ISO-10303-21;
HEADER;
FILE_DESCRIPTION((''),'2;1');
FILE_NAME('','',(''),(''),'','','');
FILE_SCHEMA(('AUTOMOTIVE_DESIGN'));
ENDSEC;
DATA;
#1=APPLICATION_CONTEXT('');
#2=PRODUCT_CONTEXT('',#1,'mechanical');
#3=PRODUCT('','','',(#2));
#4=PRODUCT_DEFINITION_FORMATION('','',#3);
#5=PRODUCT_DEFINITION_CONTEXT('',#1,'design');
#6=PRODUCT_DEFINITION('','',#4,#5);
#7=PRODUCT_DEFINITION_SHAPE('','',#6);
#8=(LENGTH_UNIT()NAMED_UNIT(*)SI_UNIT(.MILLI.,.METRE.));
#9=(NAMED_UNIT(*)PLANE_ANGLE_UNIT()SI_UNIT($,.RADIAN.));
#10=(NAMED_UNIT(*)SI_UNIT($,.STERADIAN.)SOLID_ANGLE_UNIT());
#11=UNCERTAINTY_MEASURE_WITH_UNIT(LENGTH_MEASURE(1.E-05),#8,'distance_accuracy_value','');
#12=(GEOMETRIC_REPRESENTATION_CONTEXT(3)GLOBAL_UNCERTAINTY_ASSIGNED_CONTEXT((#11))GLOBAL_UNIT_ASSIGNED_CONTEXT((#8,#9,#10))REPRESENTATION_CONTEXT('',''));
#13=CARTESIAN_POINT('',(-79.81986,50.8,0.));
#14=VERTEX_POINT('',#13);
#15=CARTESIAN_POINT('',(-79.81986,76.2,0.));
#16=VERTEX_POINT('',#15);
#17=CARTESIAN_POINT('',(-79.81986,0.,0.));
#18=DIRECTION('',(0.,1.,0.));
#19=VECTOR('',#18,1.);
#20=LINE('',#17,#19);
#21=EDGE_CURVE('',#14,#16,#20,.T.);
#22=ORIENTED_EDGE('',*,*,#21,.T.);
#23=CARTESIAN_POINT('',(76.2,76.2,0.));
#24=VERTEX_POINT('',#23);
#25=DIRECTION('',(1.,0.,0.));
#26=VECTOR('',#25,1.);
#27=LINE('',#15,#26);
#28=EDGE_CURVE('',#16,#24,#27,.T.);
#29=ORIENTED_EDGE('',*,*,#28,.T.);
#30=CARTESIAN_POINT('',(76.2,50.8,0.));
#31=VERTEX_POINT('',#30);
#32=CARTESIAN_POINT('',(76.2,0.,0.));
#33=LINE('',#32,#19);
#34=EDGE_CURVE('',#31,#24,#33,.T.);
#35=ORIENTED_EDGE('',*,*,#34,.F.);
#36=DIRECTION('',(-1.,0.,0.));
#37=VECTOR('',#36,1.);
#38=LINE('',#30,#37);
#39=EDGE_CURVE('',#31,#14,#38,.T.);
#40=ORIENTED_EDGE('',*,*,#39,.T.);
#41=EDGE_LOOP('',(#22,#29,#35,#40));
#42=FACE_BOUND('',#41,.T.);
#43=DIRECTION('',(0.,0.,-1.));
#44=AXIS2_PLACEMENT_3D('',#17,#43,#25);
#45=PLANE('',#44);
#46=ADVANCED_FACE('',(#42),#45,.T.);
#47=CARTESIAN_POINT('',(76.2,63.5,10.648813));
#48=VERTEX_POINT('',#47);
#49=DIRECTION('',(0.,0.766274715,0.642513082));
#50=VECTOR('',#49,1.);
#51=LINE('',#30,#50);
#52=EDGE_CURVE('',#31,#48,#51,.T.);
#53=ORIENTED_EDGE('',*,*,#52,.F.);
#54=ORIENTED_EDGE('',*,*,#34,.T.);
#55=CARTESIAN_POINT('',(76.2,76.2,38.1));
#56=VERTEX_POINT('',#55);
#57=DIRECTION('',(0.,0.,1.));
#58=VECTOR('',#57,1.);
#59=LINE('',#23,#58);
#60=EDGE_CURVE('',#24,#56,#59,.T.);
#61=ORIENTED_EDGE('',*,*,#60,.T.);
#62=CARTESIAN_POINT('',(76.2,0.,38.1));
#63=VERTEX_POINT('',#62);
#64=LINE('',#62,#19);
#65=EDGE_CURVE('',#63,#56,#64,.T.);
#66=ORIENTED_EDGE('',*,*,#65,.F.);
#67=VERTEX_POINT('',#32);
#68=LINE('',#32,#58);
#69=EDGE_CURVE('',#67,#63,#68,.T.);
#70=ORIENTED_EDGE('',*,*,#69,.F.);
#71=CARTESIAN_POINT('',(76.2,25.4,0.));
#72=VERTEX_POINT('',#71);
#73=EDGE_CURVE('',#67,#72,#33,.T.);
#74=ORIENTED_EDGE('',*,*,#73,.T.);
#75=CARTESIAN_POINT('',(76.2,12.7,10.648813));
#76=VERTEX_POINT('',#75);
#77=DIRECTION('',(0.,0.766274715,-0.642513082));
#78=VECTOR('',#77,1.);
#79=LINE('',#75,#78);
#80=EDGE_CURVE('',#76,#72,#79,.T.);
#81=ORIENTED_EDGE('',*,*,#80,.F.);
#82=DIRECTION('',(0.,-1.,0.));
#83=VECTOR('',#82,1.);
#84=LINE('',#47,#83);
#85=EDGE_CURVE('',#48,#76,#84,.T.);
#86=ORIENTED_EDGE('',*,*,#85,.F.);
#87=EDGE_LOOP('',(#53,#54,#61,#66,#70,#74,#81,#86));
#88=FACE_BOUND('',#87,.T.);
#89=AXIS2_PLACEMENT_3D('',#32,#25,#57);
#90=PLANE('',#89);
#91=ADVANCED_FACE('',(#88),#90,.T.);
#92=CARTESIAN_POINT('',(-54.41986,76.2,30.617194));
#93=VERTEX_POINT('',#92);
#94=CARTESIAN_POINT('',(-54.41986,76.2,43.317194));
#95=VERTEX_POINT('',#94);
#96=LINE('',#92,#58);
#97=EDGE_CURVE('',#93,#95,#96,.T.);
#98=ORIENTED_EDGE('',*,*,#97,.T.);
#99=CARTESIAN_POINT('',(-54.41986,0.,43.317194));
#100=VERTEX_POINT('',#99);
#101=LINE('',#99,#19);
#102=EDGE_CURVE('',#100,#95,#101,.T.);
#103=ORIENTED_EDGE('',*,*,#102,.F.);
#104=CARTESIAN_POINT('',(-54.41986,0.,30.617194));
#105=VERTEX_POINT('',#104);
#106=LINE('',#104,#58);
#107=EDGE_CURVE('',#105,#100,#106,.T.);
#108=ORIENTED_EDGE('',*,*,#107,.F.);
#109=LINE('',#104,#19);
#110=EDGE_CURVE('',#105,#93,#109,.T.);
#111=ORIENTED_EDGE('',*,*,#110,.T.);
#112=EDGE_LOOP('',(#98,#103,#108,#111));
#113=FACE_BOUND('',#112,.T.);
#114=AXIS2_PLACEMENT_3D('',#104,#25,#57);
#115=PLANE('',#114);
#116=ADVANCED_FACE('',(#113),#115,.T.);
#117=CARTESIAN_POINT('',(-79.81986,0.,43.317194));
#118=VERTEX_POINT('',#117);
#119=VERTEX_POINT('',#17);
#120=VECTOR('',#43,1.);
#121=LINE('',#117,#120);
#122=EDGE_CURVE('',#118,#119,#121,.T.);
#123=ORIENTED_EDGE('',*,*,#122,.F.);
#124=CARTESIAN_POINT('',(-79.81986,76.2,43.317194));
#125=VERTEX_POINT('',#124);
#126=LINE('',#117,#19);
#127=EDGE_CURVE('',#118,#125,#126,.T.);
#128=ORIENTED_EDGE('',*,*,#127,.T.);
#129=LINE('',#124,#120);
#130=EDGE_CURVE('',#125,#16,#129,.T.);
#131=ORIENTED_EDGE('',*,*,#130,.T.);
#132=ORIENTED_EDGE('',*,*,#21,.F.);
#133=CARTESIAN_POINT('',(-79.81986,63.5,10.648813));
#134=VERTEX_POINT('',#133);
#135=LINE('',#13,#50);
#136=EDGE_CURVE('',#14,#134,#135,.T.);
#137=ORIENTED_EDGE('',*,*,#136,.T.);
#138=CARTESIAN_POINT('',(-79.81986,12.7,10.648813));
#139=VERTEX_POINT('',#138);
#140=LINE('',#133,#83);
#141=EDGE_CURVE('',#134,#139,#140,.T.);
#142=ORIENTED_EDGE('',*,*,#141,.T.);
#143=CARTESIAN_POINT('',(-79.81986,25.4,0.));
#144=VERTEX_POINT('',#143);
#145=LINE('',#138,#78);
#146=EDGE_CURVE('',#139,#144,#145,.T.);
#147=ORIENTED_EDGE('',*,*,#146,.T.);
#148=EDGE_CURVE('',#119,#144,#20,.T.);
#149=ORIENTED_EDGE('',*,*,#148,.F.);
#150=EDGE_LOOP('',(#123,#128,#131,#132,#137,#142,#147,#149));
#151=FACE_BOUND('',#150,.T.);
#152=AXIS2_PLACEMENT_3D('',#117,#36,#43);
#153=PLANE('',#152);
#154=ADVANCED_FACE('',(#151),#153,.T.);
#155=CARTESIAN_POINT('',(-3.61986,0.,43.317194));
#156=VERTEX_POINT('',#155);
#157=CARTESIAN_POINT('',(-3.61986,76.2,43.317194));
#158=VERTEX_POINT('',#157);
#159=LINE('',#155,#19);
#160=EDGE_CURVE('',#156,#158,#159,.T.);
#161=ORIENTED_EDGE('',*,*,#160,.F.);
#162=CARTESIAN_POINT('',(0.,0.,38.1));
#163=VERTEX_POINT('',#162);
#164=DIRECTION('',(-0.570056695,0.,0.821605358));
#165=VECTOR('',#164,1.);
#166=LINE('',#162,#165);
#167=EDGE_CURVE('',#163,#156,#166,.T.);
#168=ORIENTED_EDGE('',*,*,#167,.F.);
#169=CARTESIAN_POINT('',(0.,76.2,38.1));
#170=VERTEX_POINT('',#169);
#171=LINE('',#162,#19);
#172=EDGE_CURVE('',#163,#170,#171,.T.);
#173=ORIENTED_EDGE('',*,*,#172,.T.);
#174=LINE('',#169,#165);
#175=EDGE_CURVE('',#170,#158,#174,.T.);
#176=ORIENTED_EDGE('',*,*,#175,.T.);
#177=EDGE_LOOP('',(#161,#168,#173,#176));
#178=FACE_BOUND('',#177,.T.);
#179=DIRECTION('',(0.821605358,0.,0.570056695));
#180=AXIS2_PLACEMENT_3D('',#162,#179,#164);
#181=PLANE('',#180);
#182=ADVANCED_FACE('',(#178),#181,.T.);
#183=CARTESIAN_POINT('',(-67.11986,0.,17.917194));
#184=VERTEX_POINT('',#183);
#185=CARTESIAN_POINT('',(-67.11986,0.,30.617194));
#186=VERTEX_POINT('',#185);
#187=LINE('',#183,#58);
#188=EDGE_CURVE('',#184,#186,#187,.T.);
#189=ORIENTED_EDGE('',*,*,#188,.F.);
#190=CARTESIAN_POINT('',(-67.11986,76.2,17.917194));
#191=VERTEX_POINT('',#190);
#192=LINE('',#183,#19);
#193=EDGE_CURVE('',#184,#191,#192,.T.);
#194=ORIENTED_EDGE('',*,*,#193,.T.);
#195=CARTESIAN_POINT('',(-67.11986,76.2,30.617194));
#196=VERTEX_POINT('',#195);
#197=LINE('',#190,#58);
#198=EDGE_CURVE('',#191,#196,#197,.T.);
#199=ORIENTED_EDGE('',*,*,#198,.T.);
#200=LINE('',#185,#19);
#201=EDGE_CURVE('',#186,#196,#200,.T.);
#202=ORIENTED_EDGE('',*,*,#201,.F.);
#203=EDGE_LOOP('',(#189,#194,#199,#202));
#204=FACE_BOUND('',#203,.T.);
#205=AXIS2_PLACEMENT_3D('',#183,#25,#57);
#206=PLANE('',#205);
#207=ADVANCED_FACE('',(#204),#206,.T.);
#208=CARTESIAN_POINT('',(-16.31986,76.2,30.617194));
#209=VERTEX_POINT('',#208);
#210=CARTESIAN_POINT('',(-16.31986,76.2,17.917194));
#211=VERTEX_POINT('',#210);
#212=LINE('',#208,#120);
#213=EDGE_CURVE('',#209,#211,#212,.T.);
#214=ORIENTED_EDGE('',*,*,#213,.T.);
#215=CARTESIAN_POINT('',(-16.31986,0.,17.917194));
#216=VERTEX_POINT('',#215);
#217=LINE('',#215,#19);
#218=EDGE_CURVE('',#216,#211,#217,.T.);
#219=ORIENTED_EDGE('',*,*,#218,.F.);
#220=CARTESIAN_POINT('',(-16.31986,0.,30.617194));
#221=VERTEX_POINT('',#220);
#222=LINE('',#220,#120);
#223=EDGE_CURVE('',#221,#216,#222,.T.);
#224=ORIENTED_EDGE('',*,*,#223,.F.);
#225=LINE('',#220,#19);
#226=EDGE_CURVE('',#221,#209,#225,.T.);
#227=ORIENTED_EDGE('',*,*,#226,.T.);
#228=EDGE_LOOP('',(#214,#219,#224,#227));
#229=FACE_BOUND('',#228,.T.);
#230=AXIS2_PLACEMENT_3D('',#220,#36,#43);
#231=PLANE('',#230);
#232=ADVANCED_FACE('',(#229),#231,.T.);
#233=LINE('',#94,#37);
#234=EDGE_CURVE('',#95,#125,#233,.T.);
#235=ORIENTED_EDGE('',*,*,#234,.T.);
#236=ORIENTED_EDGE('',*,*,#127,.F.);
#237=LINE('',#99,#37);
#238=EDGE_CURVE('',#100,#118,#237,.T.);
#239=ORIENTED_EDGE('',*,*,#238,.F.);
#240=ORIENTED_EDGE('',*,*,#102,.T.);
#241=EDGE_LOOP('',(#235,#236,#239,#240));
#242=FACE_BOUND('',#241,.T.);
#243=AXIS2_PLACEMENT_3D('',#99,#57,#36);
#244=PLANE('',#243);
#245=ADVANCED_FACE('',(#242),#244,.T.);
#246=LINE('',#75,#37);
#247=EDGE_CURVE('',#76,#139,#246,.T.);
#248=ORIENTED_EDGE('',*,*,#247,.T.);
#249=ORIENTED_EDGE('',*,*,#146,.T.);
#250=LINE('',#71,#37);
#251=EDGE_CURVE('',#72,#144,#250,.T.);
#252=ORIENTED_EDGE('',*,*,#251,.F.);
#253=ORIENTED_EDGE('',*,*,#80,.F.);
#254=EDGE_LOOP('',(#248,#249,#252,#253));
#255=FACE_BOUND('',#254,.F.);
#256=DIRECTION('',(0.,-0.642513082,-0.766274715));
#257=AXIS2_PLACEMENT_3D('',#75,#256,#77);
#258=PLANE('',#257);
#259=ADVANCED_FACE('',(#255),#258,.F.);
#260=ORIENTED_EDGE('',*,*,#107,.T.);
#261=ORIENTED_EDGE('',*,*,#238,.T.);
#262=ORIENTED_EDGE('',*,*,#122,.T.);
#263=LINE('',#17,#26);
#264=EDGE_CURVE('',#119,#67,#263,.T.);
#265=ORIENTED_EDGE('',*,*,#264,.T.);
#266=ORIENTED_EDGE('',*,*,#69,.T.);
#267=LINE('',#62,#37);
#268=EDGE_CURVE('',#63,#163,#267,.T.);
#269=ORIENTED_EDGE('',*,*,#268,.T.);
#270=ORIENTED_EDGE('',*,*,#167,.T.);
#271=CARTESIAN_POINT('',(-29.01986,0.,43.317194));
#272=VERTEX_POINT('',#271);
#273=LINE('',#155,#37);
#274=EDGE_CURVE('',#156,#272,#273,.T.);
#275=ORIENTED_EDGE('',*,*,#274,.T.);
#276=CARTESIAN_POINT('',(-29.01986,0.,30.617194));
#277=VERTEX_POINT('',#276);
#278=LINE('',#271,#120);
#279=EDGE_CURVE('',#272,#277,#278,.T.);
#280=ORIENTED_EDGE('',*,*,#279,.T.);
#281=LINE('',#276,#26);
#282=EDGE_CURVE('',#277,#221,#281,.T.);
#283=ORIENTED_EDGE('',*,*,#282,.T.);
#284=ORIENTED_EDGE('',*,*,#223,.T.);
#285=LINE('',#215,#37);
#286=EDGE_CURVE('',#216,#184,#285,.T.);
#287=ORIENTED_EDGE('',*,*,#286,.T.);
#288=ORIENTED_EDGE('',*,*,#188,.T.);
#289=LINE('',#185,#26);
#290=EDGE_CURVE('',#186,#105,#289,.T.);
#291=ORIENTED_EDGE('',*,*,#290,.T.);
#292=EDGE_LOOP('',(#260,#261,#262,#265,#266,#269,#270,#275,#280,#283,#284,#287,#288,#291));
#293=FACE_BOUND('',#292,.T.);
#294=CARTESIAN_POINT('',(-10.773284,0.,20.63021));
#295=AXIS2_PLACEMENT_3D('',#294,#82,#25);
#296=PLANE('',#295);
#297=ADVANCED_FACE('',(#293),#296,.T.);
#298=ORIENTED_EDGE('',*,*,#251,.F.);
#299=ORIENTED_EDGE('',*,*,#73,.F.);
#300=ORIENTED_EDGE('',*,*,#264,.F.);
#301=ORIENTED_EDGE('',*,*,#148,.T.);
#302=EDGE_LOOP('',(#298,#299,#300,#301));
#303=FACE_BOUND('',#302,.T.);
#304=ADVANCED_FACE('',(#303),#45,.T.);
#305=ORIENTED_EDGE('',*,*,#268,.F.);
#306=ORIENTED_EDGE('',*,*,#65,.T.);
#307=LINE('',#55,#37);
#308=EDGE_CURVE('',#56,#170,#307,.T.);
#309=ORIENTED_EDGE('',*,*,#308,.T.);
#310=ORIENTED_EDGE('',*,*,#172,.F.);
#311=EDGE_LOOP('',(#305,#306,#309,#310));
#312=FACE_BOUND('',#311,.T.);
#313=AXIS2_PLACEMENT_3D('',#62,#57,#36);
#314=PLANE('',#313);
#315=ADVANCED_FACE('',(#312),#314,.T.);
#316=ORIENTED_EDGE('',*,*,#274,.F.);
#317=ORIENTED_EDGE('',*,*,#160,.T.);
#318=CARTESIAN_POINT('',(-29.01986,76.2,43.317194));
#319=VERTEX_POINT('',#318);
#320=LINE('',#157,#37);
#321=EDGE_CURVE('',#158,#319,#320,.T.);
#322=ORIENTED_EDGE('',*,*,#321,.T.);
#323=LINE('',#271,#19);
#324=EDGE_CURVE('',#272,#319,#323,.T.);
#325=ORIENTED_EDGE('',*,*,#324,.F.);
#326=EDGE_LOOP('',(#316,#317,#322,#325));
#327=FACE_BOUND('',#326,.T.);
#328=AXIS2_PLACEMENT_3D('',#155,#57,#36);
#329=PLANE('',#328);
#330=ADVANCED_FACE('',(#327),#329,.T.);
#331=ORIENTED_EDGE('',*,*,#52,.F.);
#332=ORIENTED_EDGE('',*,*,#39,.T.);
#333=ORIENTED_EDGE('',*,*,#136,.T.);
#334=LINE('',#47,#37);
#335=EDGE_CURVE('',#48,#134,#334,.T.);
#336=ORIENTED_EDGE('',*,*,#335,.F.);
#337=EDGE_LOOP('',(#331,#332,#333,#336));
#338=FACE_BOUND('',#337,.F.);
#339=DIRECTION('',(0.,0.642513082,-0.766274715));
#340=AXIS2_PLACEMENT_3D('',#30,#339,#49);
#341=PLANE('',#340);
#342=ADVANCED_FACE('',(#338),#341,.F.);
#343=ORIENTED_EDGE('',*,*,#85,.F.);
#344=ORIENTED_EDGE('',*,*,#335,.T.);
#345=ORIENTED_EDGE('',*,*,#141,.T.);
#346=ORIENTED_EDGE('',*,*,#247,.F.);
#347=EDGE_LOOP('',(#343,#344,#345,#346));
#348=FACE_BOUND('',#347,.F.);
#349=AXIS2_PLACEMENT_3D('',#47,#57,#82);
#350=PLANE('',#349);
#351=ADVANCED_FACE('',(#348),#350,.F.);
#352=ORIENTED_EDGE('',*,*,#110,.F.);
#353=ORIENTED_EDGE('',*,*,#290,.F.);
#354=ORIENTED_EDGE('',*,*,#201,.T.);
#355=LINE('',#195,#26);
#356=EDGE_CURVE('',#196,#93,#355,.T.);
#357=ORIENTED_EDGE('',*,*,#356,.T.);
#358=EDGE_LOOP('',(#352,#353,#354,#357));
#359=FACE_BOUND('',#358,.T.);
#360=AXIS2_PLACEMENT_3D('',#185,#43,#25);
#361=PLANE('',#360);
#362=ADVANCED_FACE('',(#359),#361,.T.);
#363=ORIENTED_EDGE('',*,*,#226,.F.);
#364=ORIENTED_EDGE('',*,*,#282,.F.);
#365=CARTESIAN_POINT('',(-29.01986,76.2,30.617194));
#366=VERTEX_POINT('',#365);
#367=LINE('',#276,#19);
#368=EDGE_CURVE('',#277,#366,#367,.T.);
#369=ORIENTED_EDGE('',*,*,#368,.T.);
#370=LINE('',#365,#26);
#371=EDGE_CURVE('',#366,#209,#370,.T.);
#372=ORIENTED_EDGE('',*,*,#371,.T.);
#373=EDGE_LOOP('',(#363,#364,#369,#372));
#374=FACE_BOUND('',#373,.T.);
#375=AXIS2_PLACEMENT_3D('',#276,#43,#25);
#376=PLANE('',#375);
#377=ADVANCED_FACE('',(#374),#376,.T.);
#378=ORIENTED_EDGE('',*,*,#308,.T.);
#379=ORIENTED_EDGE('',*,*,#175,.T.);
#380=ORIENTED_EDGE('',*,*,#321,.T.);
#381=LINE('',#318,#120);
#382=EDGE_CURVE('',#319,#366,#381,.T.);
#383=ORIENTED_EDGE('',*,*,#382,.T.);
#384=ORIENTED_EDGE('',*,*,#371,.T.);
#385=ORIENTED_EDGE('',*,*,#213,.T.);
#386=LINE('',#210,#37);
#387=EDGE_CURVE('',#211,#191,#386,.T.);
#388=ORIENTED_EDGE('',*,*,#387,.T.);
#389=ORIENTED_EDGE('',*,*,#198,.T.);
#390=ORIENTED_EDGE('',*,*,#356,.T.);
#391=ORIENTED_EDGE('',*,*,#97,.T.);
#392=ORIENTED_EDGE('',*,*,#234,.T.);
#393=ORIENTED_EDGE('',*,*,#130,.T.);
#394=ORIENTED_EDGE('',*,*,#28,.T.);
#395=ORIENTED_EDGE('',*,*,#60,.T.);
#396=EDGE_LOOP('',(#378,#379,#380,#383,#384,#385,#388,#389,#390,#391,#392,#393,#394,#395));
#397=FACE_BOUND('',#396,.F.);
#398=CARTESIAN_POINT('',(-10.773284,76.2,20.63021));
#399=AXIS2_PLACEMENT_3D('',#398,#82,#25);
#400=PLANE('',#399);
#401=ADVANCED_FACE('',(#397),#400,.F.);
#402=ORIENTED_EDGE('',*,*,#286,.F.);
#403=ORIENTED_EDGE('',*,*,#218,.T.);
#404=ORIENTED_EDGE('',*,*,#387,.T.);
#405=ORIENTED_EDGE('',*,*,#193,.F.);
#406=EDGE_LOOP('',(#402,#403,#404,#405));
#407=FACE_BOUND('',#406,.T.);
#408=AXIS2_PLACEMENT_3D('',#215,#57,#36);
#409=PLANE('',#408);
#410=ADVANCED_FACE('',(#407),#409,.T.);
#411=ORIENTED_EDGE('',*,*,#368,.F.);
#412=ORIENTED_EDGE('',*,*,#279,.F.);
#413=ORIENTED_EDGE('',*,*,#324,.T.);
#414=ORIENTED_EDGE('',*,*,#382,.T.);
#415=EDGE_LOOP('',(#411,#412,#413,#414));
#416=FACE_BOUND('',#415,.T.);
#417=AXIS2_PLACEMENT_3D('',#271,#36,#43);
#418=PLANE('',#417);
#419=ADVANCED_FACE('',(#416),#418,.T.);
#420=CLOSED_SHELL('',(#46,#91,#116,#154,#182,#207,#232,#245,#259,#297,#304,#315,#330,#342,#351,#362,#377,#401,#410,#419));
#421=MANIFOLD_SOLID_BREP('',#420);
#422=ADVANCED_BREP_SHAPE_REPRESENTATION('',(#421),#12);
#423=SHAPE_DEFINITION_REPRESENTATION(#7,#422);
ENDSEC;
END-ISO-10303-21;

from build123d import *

# Parameters (mm, degrees)
F1_DEPTH = 76.2
F3_DEPTH = 156.01986


with BuildPart() as f1:
    # F0 (on Front) → F1 (new body)
    with BuildSketch(Plane.XZ):
        Polygon((-76.2, 0), (0, 0), (76.2, 0), (76.2, 38.1), (0, 38.1), (-3.61986, 43.317194), (-29.01986, 43.317194), (-29.01986, 30.617194), (-16.31986, 30.617194), (-16.31986, 17.917194), (-67.11986, 17.917194), (-67.11986, 30.617194), (-54.41986, 30.617194), (-54.41986, 43.317194), (-79.81986, 43.317194), (-79.81986, 0), align=None)
    extrude(amount=-F1_DEPTH)

    # F2 (on face) → F3 (cut, through all)
    with BuildSketch(Plane.YZ.offset(76.2)):
        Polygon((63.5, 10.648813), (12.7, 10.648813), (25.4, 0), (50.8, 0), align=None)
    extrude(amount=-F3_DEPTH, mode=Mode.SUBTRACT)


solid = f1.part
